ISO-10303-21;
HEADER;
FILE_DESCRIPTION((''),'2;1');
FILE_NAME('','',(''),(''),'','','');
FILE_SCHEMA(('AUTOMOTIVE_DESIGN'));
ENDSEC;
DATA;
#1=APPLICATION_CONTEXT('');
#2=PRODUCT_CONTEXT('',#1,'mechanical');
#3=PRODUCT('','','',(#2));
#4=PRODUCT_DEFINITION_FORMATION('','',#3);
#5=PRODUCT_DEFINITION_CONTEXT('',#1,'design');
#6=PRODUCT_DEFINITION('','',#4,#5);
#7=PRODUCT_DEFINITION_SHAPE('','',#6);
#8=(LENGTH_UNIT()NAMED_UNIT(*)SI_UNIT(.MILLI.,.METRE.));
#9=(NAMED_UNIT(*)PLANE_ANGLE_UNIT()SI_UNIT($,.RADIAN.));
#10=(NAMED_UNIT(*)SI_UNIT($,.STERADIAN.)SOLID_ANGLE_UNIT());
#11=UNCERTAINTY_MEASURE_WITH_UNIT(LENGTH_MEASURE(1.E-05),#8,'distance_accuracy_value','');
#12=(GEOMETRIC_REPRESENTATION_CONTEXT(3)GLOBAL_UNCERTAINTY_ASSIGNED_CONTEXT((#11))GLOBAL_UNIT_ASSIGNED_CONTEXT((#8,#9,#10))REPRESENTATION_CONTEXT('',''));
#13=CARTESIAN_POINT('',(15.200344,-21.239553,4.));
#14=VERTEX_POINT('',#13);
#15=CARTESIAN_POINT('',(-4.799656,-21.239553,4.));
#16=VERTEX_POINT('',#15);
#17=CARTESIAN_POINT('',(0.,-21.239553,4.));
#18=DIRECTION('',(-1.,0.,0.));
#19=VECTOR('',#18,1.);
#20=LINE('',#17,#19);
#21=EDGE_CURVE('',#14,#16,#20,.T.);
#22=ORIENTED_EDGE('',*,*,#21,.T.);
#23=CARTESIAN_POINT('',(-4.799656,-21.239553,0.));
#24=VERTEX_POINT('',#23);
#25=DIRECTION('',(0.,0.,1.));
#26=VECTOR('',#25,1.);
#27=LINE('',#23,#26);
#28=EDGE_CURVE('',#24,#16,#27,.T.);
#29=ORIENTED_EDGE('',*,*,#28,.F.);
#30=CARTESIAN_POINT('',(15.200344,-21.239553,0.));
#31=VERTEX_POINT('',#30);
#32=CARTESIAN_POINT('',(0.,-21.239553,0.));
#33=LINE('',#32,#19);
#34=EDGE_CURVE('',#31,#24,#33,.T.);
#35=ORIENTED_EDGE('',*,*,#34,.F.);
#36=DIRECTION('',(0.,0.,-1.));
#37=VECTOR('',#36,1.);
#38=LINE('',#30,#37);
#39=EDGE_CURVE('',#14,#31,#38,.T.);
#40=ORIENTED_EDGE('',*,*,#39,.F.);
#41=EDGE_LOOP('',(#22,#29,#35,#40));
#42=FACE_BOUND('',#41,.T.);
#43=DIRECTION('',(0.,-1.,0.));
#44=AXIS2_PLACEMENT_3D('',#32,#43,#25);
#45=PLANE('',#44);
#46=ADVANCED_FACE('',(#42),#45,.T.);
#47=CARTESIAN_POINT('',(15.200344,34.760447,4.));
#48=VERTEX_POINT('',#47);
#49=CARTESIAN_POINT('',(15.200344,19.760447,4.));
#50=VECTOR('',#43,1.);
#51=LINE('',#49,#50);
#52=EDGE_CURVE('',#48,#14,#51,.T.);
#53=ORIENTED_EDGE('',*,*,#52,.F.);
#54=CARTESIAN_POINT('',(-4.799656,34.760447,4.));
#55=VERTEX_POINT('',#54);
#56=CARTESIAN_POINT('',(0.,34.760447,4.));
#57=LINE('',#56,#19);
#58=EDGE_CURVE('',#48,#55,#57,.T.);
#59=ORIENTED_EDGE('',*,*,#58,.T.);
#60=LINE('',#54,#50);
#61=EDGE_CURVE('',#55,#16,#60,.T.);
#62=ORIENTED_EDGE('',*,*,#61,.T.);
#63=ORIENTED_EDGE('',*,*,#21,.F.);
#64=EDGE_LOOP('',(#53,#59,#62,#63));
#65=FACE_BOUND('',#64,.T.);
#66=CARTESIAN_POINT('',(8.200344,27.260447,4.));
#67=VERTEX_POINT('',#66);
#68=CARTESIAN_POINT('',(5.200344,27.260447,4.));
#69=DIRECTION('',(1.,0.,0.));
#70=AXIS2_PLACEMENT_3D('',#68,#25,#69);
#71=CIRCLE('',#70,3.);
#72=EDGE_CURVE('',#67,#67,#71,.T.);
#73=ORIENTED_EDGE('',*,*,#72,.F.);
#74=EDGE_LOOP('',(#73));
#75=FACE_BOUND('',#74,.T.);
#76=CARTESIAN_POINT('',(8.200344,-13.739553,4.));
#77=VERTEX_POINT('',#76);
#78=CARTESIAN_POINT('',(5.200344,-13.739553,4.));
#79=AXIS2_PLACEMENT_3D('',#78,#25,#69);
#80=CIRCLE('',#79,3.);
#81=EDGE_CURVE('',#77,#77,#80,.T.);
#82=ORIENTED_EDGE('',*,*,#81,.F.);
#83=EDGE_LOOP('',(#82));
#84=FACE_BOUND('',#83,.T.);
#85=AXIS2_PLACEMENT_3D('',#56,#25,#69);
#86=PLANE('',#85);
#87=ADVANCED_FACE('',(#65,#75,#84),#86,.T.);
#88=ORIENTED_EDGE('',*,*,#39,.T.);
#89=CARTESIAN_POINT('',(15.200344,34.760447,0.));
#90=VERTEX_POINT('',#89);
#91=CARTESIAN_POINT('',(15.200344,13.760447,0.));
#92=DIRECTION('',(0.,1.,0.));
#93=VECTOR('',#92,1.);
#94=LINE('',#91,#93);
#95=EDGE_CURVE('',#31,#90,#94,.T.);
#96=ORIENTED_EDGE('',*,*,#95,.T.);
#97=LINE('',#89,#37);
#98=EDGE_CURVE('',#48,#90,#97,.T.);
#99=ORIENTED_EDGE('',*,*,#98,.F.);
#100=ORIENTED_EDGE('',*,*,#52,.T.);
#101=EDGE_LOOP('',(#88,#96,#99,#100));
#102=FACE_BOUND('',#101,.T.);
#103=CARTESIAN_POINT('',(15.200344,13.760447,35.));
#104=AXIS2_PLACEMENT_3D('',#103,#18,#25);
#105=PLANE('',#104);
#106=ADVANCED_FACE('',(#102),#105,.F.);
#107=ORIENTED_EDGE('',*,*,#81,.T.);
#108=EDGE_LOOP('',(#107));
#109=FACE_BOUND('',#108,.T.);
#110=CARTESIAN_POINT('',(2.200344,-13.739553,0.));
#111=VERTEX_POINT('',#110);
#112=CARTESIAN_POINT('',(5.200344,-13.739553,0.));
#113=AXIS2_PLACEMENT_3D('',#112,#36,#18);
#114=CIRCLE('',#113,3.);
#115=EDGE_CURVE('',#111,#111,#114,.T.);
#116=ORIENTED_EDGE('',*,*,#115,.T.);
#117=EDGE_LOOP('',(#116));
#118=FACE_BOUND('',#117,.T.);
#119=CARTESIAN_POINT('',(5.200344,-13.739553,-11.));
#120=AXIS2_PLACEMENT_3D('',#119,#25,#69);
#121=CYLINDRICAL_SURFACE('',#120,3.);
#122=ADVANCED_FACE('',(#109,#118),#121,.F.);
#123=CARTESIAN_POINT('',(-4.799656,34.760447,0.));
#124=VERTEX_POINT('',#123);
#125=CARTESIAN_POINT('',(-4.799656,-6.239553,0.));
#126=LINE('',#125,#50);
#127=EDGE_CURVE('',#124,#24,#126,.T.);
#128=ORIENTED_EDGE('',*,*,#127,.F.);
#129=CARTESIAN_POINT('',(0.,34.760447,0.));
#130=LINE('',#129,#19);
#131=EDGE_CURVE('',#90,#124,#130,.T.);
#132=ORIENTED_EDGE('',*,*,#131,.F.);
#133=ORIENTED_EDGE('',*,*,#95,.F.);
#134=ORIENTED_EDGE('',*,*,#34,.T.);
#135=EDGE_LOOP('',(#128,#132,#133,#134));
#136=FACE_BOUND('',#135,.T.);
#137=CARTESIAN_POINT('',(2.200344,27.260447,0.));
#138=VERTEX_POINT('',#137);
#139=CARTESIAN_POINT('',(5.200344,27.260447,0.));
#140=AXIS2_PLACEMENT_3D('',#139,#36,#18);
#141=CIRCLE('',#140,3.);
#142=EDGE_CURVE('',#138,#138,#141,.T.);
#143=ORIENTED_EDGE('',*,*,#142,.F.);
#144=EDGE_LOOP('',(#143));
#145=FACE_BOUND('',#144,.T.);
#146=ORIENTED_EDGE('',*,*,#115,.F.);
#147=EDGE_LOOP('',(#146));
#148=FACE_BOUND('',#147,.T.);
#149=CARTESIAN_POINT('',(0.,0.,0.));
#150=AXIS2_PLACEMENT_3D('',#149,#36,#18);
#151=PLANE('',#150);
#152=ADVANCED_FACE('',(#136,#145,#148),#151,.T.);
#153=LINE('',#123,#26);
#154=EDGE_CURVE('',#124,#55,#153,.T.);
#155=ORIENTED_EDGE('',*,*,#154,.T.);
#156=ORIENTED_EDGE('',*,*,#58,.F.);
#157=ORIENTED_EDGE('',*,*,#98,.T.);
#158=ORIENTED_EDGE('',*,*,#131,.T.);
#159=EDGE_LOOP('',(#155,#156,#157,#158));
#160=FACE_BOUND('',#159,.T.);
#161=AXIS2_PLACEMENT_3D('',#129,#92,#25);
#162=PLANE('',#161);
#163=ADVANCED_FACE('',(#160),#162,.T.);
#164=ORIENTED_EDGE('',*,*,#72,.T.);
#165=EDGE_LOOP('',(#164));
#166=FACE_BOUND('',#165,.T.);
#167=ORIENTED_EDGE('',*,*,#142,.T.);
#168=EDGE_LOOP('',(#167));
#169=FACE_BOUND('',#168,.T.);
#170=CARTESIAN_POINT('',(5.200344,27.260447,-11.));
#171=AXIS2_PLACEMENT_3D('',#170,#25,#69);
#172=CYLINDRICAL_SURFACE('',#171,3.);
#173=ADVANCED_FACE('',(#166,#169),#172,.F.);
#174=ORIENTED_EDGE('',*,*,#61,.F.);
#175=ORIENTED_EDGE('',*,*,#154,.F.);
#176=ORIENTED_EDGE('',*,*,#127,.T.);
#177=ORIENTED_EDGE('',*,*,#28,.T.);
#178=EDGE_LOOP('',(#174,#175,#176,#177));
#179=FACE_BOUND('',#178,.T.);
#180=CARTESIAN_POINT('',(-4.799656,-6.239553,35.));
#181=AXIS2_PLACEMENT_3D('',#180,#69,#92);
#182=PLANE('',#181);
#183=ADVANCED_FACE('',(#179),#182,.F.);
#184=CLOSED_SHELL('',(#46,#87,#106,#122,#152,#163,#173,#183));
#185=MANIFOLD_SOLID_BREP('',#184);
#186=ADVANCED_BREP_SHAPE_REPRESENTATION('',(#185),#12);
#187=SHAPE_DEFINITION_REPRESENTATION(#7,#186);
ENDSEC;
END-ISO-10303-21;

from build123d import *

# Parameters (mm, degrees)
BOSS_EXTRUDE1_DEPTH = 35
SKETCH3_R           = 1.5
CUT_EXTRUDE1_DEPTH  = 15
SKETCH2_W           = 4
SKETCH2_H           = 26
BOSS_EXTRUDE2_DEPTH = 20
BOSS_EXTRUDE3_DEPTH = 15
SKETCH6_R           = 3
CUT_EXTRUDE2_DEPTH  = 15
SKETCH7_W           = 15
SKETCH7_H           = 5
BOSS_EXTRUDE4_DEPTH = 31
CUT_EXTRUDE3_DEPTH  = 31


with BuildPart() as part:
    # Sketch1 → Boss-Extrude1 (new body)
    with BuildSketch(Plane.XY):
        Polygon((15.200344072, 13.760447293), (0.200344072, 13.760447293), (0.200344072, -6.239552707), (-4.799655928, -6.239552707), (-4.799655928, 19.760447293), (15.200344072, 19.760447293), align=None)
    extrude(amount=BOSS_EXTRUDE1_DEPTH)

    # Sketch3 → Cut-Extrude1 (cut)
    with BuildSketch(Plane.XZ.offset(-13.760447293)):
        with Locations((7.700344072, 29)):
            Circle(SKETCH3_R)
        with Locations((7.700344072, 22)):
            Circle(SKETCH3_R)
        with Locations((7.700344072, 15)):
            Circle(SKETCH3_R)
    extrude(amount=-CUT_EXTRUDE1_DEPTH, mode=Mode.SUBTRACT)

    # Sketch2 → Boss-Extrude2 (add)
    with BuildSketch(Plane.ZY.offset(4.799655928)):
        with Locations((2, 6.760447293)):
            Rectangle(SKETCH2_W, SKETCH2_H)
    extrude(amount=-BOSS_EXTRUDE2_DEPTH)

    # Sketch5 → Boss-Extrude3 (add)
    with BuildSketch(Plane(origin=(0, 19.760447293, 0), x_dir=(1, 0, 0), z_dir=(0, 1, 0))):
        Polygon((-4.799655928, -4), (0.200344072, -4), (15.200344072, -4), (15.200344072, 0), (-4.799655928, 0), align=None)
    boss_extrude3 = extrude(amount=BOSS_EXTRUDE3_DEPTH)

    # Mirror1: Boss-Extrude3 across plane
    add(boss_extrude3.mirror(Plane.ZX.offset(6.760447293)))

    # Sketch6 → Cut-Extrude2 (cut)
    with BuildSketch(Plane.XY.offset(4)):
        with Locations((5.200344072, -13.739552707)):
            Circle(SKETCH6_R)
        with Locations((5.200344072, 27.260447293)):
            Circle(SKETCH6_R)
    extrude(amount=-CUT_EXTRUDE2_DEPTH, mode=Mode.SUBTRACT)

    # Sketch7 → Boss-Extrude4 (add)
    with BuildSketch(Plane.XY.offset(4)):
        with Locations((7.700344072, -3.739552707)):
            Rectangle(SKETCH7_W, SKETCH7_H)
    extrude(amount=BOSS_EXTRUDE4_DEPTH)

    # Sketch8 → Cut-Extrude3 (cut)
    with BuildSketch(Plane.XY.offset(35)):
        Polygon((15.200344072, 13.760447293), (15.200344072, 19.760447293), (-4.799655928, 19.760447293), (-4.799655928, -6.239552707), (15.200344072, -6.239552707), (15.200344072, -1.239552707), (0.200344072, -1.239552707), (0.200344072, 13.760447293), align=None)
    extrude(amount=-CUT_EXTRUDE3_DEPTH, mode=Mode.SUBTRACT)


solid = part.part
